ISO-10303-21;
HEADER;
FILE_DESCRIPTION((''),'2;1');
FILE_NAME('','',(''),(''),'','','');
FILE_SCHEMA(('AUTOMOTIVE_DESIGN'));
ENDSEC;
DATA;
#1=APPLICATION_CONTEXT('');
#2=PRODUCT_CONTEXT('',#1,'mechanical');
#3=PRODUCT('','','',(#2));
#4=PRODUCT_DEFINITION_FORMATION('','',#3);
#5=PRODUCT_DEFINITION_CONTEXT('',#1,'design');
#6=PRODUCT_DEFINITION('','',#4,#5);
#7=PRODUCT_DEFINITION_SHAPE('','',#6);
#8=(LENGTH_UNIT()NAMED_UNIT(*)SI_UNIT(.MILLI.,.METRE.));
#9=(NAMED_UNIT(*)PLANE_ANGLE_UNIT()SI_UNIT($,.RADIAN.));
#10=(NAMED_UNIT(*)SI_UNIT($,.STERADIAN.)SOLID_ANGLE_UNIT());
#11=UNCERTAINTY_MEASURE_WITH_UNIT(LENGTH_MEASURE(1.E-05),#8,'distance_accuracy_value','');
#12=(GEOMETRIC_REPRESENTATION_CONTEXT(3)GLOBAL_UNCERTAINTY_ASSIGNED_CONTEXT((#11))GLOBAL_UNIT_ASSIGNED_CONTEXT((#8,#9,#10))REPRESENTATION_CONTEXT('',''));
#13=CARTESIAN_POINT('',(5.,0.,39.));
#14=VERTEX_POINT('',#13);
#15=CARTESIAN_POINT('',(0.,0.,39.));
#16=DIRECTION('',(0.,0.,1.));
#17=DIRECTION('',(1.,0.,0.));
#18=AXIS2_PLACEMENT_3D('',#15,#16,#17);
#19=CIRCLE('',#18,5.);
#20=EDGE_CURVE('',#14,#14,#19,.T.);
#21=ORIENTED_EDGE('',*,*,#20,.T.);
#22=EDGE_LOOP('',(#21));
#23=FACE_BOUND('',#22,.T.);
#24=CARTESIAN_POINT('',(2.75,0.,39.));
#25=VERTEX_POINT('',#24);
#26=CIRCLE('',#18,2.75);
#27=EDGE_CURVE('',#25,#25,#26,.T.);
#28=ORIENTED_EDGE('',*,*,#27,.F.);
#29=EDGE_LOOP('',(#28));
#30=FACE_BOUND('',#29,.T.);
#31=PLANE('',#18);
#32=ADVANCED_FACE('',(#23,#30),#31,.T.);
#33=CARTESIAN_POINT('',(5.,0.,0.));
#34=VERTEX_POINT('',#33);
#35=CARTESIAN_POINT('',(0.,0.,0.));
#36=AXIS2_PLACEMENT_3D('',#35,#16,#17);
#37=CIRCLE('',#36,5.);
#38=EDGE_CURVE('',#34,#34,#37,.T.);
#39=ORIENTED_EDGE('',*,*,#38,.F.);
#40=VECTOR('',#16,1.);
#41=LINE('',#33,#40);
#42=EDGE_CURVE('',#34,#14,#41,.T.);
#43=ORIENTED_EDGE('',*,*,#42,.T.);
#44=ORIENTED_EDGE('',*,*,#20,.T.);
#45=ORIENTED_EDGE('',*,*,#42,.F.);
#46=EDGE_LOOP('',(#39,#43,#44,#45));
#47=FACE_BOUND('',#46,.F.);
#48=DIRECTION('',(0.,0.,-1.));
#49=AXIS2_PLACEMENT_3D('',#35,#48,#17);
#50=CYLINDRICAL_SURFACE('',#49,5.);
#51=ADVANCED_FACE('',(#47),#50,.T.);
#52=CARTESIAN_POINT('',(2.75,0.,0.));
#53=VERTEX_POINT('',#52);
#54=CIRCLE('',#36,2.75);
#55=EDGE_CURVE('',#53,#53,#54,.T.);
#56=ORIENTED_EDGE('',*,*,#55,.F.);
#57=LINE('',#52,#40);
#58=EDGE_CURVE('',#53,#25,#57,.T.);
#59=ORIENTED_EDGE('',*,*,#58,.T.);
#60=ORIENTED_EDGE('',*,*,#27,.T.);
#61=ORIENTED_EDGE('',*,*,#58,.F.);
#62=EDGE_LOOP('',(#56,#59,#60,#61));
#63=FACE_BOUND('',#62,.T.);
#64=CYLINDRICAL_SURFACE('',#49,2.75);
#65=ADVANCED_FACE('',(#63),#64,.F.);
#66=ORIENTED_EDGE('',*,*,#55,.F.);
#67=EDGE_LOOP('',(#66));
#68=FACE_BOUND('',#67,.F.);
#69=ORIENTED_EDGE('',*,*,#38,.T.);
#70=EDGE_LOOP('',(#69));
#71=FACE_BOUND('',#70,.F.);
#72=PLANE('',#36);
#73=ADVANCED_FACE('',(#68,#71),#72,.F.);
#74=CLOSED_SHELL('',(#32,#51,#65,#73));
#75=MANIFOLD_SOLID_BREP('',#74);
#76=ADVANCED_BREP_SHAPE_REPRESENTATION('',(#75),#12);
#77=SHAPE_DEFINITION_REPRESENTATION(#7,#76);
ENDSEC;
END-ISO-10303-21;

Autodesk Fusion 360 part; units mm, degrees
sketch "Boceto1" plane through (0, 0, 0) normal (0, 0, 1) x (1, 0, 0)
  circle A0 centre (0, 0) radius 5
  circle A1 centre (0, 0) radius 2.75
  dimension "d1" = 10
  dimension "d2" = 5.5
extrude "Extruir1" add sketch "Boceto1" along normal blind 39
